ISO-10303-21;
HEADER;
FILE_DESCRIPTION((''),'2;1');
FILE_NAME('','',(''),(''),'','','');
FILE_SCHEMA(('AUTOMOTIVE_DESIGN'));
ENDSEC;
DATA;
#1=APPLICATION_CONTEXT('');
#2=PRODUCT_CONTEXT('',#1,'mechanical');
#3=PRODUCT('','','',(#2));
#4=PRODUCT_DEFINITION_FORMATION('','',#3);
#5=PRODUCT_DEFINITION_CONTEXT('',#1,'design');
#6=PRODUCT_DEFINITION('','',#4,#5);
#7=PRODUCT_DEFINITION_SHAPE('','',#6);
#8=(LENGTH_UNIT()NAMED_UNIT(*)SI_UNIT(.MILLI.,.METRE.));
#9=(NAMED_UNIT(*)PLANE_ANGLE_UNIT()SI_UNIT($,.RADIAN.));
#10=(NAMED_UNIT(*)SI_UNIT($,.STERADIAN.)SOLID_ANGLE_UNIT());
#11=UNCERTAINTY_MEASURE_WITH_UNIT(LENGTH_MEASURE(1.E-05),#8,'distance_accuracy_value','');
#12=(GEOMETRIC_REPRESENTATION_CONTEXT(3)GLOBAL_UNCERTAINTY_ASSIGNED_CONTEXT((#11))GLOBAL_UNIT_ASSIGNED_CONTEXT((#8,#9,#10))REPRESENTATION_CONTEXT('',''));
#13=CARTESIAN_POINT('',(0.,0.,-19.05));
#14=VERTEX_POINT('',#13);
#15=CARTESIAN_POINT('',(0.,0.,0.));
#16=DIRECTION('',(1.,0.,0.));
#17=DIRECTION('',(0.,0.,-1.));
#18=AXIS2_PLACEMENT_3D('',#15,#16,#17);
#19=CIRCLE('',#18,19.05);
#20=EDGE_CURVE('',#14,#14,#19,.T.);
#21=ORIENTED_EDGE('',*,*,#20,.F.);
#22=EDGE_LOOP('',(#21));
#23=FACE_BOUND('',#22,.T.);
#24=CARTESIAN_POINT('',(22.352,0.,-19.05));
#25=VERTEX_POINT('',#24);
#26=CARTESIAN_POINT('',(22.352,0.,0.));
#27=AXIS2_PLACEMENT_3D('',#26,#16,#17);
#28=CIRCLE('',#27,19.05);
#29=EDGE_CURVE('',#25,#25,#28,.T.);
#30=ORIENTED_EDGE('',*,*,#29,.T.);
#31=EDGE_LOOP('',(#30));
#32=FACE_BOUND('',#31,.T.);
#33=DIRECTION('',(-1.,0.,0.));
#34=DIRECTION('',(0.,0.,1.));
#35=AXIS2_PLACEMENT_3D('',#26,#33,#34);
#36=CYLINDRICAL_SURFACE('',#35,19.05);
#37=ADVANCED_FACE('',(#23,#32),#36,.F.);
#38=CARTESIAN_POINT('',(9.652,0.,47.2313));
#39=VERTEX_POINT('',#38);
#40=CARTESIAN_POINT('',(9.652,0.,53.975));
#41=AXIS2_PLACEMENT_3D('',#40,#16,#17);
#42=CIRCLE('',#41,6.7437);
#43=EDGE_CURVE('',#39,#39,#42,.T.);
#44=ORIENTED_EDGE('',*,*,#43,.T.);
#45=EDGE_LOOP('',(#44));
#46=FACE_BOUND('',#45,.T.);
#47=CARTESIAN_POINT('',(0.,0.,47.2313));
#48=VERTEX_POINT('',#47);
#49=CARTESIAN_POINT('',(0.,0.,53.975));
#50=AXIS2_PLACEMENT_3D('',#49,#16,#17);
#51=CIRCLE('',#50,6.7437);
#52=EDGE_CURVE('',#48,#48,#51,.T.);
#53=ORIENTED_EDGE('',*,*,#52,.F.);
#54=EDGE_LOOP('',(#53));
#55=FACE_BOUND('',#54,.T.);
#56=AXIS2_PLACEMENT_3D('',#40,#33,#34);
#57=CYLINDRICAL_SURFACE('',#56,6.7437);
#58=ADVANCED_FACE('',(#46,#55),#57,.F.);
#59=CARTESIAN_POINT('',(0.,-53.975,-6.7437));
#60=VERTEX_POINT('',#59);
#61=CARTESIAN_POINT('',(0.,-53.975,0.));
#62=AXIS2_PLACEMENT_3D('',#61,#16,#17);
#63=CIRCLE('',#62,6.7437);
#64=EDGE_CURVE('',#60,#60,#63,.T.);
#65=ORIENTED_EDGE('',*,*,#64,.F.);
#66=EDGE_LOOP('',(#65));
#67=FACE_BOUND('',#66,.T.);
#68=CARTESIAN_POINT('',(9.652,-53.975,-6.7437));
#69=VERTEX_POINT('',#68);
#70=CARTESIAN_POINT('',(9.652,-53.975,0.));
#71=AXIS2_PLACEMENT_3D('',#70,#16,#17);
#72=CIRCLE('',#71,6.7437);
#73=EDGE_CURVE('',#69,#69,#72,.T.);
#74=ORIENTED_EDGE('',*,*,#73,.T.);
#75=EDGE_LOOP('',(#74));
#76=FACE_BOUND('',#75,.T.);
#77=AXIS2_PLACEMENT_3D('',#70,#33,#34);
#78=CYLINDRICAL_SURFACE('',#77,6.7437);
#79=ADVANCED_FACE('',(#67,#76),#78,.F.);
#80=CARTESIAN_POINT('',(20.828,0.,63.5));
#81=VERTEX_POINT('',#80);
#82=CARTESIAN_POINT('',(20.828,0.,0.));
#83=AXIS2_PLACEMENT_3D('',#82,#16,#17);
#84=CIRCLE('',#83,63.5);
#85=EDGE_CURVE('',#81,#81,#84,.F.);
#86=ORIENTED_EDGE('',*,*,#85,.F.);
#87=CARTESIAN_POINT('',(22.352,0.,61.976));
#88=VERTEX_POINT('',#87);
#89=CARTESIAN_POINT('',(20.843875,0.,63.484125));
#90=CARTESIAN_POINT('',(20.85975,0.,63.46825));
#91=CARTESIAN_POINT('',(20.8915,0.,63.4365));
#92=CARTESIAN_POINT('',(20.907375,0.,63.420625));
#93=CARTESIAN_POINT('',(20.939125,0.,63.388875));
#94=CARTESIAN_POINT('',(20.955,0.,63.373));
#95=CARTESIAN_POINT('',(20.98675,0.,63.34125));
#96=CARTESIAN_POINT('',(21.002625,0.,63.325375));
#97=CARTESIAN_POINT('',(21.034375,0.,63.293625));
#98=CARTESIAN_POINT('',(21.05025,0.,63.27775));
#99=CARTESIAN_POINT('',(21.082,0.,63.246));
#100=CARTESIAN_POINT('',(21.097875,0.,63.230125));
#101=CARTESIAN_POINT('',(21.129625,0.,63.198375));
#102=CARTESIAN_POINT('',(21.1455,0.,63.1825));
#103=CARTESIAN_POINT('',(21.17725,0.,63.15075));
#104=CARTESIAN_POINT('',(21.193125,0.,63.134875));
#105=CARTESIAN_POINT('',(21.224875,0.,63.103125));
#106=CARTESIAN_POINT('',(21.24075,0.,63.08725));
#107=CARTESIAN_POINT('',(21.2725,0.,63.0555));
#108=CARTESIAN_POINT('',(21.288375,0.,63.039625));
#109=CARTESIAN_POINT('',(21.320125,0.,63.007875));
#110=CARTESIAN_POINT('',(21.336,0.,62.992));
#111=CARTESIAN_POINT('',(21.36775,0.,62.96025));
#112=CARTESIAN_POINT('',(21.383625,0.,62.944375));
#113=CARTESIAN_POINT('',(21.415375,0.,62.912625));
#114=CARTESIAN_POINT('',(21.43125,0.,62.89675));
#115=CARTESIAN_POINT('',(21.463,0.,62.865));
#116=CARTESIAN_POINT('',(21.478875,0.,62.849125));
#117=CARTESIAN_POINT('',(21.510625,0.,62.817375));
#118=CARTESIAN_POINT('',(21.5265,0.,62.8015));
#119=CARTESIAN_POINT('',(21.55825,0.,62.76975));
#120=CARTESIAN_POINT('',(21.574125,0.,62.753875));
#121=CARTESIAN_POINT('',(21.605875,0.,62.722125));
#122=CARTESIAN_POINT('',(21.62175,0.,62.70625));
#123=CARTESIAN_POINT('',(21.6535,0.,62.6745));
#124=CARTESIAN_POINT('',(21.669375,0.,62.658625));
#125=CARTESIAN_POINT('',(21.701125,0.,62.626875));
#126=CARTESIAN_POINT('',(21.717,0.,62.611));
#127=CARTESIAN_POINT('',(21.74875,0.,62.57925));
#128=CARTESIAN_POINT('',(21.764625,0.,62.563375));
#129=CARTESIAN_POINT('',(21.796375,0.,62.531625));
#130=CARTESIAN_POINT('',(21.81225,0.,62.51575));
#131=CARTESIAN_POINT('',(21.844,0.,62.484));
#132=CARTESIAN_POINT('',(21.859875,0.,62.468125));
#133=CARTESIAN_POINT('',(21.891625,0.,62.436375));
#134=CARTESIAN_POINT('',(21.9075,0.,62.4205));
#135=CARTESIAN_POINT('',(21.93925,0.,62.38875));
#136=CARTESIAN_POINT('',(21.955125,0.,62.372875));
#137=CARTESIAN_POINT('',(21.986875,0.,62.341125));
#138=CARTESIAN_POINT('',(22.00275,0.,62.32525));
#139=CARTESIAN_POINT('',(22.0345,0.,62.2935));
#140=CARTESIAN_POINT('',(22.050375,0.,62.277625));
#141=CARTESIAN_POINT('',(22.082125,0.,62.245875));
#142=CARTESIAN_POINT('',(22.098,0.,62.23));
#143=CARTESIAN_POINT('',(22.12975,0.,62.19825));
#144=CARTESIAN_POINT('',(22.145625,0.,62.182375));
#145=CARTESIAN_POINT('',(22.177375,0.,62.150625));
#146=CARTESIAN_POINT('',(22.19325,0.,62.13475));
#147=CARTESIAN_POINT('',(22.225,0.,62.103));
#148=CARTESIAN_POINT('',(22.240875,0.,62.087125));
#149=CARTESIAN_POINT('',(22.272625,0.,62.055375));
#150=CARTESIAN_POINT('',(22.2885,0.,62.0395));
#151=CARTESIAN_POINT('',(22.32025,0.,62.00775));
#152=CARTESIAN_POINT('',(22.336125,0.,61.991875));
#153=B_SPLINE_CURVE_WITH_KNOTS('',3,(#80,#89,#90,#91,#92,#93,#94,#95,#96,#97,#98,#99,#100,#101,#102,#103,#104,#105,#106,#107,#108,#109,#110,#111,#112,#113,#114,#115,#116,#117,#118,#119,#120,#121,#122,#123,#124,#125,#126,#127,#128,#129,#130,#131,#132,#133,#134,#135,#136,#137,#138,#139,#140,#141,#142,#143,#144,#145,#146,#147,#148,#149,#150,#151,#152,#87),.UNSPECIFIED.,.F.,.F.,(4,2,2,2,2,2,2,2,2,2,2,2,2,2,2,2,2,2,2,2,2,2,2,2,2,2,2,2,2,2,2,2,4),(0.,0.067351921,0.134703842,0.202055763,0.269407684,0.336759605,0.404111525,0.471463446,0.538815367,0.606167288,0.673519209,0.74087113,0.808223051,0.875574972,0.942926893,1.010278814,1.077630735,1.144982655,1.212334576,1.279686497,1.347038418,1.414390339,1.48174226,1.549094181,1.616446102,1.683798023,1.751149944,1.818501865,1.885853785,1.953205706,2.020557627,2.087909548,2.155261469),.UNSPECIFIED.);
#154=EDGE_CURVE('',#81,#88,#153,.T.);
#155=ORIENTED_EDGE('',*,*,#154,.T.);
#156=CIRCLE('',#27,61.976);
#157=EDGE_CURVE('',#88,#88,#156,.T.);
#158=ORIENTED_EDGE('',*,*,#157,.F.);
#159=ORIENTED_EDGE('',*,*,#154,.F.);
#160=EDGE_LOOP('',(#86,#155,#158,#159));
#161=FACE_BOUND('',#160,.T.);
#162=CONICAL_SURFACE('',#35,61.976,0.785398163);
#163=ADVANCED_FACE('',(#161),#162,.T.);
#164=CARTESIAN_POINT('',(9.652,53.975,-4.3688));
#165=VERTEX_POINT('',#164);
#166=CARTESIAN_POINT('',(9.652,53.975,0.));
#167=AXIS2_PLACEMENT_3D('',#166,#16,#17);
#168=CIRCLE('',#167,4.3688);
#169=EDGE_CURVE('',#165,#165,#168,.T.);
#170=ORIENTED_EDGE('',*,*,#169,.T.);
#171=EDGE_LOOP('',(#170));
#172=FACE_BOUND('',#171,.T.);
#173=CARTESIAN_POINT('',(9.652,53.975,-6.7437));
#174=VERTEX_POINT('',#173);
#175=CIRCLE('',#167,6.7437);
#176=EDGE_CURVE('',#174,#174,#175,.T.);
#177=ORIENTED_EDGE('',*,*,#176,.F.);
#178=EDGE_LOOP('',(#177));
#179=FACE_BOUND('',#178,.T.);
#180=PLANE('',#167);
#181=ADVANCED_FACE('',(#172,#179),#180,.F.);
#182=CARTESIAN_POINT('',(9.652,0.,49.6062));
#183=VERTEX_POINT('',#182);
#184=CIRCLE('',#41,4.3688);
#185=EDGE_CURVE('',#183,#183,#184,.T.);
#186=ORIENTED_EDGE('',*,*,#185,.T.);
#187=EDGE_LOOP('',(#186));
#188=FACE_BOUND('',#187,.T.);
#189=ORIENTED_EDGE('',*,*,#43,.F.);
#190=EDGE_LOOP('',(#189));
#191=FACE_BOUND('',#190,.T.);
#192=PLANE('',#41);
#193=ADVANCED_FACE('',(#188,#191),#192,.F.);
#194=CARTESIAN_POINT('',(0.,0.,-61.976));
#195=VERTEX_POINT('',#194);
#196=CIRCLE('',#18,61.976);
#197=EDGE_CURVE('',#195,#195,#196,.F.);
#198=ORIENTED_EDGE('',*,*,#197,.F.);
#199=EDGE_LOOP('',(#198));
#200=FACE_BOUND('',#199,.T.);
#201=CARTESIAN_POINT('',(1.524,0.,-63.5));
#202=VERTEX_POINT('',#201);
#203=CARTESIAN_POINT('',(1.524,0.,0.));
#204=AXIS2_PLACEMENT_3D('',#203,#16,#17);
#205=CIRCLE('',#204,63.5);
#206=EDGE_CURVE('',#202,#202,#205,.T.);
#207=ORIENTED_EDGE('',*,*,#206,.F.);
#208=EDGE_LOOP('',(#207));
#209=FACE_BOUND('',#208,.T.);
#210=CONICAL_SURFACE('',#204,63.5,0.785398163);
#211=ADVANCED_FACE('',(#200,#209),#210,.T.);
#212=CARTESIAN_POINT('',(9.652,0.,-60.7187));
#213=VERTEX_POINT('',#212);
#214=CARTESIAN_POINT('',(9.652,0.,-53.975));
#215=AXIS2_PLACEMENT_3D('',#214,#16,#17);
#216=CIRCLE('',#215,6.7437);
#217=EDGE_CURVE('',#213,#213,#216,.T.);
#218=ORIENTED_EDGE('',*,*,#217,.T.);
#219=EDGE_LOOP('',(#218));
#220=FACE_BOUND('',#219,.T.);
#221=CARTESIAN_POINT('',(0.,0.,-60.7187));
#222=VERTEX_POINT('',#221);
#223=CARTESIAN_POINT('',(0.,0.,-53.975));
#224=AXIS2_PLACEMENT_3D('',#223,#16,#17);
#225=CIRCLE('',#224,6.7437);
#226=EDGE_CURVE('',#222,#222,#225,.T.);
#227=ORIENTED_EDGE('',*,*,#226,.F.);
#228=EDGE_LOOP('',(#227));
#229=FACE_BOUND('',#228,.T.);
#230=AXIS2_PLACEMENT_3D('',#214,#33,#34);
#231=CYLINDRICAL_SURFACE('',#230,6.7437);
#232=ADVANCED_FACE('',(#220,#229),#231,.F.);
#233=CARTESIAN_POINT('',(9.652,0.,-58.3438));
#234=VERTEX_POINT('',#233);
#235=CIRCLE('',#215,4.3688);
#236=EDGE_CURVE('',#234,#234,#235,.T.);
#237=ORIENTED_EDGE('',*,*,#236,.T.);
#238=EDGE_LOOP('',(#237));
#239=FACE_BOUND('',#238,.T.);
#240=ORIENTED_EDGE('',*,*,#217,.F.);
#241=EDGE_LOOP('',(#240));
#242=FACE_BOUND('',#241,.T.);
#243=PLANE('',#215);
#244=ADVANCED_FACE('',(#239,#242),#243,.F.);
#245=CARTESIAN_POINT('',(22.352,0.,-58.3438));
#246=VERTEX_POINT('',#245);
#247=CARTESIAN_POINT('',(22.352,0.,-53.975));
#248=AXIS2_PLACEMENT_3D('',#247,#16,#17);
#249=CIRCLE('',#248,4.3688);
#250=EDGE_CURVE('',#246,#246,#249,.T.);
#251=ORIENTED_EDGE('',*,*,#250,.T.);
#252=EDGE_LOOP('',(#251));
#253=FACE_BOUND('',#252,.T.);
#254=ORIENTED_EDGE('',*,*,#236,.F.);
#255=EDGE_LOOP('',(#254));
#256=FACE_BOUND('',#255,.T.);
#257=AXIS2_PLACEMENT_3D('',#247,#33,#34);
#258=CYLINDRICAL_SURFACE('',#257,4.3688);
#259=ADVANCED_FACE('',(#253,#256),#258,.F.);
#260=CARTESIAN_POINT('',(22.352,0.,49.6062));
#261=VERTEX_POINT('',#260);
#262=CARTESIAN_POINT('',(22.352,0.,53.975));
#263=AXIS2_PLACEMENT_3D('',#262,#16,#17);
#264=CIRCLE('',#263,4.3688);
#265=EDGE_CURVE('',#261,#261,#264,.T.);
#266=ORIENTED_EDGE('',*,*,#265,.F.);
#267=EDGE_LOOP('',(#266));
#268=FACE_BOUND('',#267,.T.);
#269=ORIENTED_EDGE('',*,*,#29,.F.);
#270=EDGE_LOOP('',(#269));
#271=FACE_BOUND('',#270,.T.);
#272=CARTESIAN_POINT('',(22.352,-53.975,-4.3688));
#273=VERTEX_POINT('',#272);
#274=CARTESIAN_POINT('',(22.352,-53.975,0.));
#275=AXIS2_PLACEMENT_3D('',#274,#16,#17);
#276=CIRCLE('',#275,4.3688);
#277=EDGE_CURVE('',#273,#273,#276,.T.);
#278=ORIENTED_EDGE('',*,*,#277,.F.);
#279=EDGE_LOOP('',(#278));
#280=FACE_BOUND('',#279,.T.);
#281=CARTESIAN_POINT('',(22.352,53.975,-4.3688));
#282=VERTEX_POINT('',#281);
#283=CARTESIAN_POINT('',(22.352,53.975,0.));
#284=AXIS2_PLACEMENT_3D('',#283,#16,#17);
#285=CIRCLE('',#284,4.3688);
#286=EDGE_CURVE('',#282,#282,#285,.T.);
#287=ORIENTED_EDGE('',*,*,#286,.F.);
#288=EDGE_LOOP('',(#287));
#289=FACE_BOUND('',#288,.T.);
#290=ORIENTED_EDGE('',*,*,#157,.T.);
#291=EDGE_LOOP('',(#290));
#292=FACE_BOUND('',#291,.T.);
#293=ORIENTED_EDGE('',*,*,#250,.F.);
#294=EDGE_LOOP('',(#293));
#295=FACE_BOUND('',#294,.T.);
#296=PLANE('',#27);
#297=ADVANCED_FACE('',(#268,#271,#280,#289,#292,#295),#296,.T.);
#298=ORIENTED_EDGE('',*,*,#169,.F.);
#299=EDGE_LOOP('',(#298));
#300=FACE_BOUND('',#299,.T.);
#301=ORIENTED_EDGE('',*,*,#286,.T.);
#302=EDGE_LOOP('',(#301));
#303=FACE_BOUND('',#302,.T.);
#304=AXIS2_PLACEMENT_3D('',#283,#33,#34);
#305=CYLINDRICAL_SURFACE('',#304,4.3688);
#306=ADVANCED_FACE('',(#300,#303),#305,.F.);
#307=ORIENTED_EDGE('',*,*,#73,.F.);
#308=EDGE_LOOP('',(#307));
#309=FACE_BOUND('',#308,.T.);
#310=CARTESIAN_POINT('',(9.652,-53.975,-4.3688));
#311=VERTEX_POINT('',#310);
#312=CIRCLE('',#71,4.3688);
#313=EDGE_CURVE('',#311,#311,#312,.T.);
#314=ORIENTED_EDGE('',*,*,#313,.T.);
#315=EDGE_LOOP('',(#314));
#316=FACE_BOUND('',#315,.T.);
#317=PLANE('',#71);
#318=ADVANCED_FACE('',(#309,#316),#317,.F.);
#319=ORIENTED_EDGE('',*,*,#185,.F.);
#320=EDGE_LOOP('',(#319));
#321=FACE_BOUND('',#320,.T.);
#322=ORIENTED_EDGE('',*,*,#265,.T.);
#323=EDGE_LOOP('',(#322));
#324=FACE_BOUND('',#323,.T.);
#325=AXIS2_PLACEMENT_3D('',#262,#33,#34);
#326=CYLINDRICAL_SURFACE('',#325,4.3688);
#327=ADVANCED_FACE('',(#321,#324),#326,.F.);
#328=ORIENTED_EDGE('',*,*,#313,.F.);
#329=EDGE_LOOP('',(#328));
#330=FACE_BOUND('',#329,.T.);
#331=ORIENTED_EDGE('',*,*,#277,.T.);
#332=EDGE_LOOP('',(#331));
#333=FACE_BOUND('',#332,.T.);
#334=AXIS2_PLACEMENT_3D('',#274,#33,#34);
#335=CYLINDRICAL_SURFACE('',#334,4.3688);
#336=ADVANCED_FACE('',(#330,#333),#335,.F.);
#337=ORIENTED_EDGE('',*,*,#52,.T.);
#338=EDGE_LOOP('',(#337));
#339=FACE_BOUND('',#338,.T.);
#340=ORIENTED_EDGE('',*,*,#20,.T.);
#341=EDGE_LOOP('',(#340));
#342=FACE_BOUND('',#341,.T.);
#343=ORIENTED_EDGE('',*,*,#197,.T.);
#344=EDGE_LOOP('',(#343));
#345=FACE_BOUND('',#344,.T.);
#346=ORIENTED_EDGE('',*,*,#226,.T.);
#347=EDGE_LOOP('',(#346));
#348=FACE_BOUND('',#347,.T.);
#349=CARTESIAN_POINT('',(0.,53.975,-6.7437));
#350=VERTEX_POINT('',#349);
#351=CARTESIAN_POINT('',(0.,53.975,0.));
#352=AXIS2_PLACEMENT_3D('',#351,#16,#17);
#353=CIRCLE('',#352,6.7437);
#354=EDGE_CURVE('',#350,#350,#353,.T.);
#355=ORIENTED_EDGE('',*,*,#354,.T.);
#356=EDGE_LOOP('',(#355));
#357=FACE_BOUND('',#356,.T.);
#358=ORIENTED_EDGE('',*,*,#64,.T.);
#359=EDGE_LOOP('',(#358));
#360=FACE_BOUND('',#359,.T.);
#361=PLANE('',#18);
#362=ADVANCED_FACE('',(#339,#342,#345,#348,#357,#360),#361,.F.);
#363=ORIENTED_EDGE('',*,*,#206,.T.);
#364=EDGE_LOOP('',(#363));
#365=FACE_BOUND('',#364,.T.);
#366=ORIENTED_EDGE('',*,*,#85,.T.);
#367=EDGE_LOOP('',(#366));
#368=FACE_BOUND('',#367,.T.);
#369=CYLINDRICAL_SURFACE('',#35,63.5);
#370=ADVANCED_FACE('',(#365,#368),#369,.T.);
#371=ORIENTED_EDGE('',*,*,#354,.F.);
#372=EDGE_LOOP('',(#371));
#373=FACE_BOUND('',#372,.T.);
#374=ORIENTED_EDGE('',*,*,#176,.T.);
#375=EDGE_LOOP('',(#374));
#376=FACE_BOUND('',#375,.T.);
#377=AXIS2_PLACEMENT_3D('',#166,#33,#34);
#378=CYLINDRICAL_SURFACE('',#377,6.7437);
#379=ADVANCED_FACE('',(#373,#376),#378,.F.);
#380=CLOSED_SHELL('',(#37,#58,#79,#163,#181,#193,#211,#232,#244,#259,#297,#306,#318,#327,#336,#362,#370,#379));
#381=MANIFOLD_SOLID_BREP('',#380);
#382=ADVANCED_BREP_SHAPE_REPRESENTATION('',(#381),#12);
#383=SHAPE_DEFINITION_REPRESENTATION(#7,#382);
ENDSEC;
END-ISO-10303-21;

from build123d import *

# Parameters (mm, degrees)
SKETCH1_R           = 63.5
BOSS_EXTRUDE1_DEPTH = 22.352
SKETCH2_R           = 19.05
CUT_EXTRUDE2_DEPTH  = 93.542487021
SKETCH3_R           = 4.3688
CUT_EXTRUDE4_DEPTH  = 93.542487021
SKETCH4_R           = 6.7437
CUT_EXTRUDE5_DEPTH  = 9.652
CHAMFER1_SIZE       = 1.524


with BuildPart() as part:
    # Sketch1 → Boss-Extrude1 (new body)
    with BuildSketch(Plane.YZ):
        with Locations(Location((0, 0, 0), (0, 0, 270))):
            Circle(SKETCH1_R)
    extrude(amount=BOSS_EXTRUDE1_DEPTH)

    # Sketch2 → Cut-Extrude2 (cut, through all)
    with BuildSketch(Plane.YZ):
        with Locations(Location((0, 0, 0), (0, 0, 270))):
            Circle(SKETCH2_R)
    extrude(amount=CUT_EXTRUDE2_DEPTH, mode=Mode.SUBTRACT)

    # Sketch3 → Cut-Extrude4 (cut, through all)
    with BuildSketch(Plane.YZ):
        with Locations(Location((53.975, 0, 0), (0, 0, 270))):
            Circle(SKETCH3_R)
        with Locations(Location((0, 53.975, 0), (0, 0, 270))):
            Circle(SKETCH3_R)
        with Locations(Location((-53.975, 0, 0), (0, 0, 270))):
            Circle(SKETCH3_R)
        with Locations(Location((0, -53.975, 0), (0, 0, 270))):
            Circle(SKETCH3_R)
    extrude(amount=CUT_EXTRUDE4_DEPTH, mode=Mode.SUBTRACT)

    # Sketch4 → Cut-Extrude5 (cut)
    with BuildSketch(Plane.YZ):
        with Locations(Location((53.975, 0, 0), (0, 0, 270))):
            Circle(SKETCH4_R)
        with Locations(Location((0, 53.975, 0), (0, 0, 270))):
            Circle(SKETCH4_R)
        with Locations(Location((-53.975, 0, 0), (0, 0, 270))):
            Circle(SKETCH4_R)
        with Locations(Location((0, -53.975, 0), (0, 0, 270))):
            Circle(SKETCH4_R)
    extrude(amount=CUT_EXTRUDE5_DEPTH, mode=Mode.SUBTRACT)

    # Chamfer1
    chamfer1_edges = [part.edges().sort_by_distance(p)[0] for p in [
        (0, 0, 63.5),
        (22.352, 0, 63.5),
    ]]
    chamfer(chamfer1_edges, length=CHAMFER1_SIZE)


solid = part.part
